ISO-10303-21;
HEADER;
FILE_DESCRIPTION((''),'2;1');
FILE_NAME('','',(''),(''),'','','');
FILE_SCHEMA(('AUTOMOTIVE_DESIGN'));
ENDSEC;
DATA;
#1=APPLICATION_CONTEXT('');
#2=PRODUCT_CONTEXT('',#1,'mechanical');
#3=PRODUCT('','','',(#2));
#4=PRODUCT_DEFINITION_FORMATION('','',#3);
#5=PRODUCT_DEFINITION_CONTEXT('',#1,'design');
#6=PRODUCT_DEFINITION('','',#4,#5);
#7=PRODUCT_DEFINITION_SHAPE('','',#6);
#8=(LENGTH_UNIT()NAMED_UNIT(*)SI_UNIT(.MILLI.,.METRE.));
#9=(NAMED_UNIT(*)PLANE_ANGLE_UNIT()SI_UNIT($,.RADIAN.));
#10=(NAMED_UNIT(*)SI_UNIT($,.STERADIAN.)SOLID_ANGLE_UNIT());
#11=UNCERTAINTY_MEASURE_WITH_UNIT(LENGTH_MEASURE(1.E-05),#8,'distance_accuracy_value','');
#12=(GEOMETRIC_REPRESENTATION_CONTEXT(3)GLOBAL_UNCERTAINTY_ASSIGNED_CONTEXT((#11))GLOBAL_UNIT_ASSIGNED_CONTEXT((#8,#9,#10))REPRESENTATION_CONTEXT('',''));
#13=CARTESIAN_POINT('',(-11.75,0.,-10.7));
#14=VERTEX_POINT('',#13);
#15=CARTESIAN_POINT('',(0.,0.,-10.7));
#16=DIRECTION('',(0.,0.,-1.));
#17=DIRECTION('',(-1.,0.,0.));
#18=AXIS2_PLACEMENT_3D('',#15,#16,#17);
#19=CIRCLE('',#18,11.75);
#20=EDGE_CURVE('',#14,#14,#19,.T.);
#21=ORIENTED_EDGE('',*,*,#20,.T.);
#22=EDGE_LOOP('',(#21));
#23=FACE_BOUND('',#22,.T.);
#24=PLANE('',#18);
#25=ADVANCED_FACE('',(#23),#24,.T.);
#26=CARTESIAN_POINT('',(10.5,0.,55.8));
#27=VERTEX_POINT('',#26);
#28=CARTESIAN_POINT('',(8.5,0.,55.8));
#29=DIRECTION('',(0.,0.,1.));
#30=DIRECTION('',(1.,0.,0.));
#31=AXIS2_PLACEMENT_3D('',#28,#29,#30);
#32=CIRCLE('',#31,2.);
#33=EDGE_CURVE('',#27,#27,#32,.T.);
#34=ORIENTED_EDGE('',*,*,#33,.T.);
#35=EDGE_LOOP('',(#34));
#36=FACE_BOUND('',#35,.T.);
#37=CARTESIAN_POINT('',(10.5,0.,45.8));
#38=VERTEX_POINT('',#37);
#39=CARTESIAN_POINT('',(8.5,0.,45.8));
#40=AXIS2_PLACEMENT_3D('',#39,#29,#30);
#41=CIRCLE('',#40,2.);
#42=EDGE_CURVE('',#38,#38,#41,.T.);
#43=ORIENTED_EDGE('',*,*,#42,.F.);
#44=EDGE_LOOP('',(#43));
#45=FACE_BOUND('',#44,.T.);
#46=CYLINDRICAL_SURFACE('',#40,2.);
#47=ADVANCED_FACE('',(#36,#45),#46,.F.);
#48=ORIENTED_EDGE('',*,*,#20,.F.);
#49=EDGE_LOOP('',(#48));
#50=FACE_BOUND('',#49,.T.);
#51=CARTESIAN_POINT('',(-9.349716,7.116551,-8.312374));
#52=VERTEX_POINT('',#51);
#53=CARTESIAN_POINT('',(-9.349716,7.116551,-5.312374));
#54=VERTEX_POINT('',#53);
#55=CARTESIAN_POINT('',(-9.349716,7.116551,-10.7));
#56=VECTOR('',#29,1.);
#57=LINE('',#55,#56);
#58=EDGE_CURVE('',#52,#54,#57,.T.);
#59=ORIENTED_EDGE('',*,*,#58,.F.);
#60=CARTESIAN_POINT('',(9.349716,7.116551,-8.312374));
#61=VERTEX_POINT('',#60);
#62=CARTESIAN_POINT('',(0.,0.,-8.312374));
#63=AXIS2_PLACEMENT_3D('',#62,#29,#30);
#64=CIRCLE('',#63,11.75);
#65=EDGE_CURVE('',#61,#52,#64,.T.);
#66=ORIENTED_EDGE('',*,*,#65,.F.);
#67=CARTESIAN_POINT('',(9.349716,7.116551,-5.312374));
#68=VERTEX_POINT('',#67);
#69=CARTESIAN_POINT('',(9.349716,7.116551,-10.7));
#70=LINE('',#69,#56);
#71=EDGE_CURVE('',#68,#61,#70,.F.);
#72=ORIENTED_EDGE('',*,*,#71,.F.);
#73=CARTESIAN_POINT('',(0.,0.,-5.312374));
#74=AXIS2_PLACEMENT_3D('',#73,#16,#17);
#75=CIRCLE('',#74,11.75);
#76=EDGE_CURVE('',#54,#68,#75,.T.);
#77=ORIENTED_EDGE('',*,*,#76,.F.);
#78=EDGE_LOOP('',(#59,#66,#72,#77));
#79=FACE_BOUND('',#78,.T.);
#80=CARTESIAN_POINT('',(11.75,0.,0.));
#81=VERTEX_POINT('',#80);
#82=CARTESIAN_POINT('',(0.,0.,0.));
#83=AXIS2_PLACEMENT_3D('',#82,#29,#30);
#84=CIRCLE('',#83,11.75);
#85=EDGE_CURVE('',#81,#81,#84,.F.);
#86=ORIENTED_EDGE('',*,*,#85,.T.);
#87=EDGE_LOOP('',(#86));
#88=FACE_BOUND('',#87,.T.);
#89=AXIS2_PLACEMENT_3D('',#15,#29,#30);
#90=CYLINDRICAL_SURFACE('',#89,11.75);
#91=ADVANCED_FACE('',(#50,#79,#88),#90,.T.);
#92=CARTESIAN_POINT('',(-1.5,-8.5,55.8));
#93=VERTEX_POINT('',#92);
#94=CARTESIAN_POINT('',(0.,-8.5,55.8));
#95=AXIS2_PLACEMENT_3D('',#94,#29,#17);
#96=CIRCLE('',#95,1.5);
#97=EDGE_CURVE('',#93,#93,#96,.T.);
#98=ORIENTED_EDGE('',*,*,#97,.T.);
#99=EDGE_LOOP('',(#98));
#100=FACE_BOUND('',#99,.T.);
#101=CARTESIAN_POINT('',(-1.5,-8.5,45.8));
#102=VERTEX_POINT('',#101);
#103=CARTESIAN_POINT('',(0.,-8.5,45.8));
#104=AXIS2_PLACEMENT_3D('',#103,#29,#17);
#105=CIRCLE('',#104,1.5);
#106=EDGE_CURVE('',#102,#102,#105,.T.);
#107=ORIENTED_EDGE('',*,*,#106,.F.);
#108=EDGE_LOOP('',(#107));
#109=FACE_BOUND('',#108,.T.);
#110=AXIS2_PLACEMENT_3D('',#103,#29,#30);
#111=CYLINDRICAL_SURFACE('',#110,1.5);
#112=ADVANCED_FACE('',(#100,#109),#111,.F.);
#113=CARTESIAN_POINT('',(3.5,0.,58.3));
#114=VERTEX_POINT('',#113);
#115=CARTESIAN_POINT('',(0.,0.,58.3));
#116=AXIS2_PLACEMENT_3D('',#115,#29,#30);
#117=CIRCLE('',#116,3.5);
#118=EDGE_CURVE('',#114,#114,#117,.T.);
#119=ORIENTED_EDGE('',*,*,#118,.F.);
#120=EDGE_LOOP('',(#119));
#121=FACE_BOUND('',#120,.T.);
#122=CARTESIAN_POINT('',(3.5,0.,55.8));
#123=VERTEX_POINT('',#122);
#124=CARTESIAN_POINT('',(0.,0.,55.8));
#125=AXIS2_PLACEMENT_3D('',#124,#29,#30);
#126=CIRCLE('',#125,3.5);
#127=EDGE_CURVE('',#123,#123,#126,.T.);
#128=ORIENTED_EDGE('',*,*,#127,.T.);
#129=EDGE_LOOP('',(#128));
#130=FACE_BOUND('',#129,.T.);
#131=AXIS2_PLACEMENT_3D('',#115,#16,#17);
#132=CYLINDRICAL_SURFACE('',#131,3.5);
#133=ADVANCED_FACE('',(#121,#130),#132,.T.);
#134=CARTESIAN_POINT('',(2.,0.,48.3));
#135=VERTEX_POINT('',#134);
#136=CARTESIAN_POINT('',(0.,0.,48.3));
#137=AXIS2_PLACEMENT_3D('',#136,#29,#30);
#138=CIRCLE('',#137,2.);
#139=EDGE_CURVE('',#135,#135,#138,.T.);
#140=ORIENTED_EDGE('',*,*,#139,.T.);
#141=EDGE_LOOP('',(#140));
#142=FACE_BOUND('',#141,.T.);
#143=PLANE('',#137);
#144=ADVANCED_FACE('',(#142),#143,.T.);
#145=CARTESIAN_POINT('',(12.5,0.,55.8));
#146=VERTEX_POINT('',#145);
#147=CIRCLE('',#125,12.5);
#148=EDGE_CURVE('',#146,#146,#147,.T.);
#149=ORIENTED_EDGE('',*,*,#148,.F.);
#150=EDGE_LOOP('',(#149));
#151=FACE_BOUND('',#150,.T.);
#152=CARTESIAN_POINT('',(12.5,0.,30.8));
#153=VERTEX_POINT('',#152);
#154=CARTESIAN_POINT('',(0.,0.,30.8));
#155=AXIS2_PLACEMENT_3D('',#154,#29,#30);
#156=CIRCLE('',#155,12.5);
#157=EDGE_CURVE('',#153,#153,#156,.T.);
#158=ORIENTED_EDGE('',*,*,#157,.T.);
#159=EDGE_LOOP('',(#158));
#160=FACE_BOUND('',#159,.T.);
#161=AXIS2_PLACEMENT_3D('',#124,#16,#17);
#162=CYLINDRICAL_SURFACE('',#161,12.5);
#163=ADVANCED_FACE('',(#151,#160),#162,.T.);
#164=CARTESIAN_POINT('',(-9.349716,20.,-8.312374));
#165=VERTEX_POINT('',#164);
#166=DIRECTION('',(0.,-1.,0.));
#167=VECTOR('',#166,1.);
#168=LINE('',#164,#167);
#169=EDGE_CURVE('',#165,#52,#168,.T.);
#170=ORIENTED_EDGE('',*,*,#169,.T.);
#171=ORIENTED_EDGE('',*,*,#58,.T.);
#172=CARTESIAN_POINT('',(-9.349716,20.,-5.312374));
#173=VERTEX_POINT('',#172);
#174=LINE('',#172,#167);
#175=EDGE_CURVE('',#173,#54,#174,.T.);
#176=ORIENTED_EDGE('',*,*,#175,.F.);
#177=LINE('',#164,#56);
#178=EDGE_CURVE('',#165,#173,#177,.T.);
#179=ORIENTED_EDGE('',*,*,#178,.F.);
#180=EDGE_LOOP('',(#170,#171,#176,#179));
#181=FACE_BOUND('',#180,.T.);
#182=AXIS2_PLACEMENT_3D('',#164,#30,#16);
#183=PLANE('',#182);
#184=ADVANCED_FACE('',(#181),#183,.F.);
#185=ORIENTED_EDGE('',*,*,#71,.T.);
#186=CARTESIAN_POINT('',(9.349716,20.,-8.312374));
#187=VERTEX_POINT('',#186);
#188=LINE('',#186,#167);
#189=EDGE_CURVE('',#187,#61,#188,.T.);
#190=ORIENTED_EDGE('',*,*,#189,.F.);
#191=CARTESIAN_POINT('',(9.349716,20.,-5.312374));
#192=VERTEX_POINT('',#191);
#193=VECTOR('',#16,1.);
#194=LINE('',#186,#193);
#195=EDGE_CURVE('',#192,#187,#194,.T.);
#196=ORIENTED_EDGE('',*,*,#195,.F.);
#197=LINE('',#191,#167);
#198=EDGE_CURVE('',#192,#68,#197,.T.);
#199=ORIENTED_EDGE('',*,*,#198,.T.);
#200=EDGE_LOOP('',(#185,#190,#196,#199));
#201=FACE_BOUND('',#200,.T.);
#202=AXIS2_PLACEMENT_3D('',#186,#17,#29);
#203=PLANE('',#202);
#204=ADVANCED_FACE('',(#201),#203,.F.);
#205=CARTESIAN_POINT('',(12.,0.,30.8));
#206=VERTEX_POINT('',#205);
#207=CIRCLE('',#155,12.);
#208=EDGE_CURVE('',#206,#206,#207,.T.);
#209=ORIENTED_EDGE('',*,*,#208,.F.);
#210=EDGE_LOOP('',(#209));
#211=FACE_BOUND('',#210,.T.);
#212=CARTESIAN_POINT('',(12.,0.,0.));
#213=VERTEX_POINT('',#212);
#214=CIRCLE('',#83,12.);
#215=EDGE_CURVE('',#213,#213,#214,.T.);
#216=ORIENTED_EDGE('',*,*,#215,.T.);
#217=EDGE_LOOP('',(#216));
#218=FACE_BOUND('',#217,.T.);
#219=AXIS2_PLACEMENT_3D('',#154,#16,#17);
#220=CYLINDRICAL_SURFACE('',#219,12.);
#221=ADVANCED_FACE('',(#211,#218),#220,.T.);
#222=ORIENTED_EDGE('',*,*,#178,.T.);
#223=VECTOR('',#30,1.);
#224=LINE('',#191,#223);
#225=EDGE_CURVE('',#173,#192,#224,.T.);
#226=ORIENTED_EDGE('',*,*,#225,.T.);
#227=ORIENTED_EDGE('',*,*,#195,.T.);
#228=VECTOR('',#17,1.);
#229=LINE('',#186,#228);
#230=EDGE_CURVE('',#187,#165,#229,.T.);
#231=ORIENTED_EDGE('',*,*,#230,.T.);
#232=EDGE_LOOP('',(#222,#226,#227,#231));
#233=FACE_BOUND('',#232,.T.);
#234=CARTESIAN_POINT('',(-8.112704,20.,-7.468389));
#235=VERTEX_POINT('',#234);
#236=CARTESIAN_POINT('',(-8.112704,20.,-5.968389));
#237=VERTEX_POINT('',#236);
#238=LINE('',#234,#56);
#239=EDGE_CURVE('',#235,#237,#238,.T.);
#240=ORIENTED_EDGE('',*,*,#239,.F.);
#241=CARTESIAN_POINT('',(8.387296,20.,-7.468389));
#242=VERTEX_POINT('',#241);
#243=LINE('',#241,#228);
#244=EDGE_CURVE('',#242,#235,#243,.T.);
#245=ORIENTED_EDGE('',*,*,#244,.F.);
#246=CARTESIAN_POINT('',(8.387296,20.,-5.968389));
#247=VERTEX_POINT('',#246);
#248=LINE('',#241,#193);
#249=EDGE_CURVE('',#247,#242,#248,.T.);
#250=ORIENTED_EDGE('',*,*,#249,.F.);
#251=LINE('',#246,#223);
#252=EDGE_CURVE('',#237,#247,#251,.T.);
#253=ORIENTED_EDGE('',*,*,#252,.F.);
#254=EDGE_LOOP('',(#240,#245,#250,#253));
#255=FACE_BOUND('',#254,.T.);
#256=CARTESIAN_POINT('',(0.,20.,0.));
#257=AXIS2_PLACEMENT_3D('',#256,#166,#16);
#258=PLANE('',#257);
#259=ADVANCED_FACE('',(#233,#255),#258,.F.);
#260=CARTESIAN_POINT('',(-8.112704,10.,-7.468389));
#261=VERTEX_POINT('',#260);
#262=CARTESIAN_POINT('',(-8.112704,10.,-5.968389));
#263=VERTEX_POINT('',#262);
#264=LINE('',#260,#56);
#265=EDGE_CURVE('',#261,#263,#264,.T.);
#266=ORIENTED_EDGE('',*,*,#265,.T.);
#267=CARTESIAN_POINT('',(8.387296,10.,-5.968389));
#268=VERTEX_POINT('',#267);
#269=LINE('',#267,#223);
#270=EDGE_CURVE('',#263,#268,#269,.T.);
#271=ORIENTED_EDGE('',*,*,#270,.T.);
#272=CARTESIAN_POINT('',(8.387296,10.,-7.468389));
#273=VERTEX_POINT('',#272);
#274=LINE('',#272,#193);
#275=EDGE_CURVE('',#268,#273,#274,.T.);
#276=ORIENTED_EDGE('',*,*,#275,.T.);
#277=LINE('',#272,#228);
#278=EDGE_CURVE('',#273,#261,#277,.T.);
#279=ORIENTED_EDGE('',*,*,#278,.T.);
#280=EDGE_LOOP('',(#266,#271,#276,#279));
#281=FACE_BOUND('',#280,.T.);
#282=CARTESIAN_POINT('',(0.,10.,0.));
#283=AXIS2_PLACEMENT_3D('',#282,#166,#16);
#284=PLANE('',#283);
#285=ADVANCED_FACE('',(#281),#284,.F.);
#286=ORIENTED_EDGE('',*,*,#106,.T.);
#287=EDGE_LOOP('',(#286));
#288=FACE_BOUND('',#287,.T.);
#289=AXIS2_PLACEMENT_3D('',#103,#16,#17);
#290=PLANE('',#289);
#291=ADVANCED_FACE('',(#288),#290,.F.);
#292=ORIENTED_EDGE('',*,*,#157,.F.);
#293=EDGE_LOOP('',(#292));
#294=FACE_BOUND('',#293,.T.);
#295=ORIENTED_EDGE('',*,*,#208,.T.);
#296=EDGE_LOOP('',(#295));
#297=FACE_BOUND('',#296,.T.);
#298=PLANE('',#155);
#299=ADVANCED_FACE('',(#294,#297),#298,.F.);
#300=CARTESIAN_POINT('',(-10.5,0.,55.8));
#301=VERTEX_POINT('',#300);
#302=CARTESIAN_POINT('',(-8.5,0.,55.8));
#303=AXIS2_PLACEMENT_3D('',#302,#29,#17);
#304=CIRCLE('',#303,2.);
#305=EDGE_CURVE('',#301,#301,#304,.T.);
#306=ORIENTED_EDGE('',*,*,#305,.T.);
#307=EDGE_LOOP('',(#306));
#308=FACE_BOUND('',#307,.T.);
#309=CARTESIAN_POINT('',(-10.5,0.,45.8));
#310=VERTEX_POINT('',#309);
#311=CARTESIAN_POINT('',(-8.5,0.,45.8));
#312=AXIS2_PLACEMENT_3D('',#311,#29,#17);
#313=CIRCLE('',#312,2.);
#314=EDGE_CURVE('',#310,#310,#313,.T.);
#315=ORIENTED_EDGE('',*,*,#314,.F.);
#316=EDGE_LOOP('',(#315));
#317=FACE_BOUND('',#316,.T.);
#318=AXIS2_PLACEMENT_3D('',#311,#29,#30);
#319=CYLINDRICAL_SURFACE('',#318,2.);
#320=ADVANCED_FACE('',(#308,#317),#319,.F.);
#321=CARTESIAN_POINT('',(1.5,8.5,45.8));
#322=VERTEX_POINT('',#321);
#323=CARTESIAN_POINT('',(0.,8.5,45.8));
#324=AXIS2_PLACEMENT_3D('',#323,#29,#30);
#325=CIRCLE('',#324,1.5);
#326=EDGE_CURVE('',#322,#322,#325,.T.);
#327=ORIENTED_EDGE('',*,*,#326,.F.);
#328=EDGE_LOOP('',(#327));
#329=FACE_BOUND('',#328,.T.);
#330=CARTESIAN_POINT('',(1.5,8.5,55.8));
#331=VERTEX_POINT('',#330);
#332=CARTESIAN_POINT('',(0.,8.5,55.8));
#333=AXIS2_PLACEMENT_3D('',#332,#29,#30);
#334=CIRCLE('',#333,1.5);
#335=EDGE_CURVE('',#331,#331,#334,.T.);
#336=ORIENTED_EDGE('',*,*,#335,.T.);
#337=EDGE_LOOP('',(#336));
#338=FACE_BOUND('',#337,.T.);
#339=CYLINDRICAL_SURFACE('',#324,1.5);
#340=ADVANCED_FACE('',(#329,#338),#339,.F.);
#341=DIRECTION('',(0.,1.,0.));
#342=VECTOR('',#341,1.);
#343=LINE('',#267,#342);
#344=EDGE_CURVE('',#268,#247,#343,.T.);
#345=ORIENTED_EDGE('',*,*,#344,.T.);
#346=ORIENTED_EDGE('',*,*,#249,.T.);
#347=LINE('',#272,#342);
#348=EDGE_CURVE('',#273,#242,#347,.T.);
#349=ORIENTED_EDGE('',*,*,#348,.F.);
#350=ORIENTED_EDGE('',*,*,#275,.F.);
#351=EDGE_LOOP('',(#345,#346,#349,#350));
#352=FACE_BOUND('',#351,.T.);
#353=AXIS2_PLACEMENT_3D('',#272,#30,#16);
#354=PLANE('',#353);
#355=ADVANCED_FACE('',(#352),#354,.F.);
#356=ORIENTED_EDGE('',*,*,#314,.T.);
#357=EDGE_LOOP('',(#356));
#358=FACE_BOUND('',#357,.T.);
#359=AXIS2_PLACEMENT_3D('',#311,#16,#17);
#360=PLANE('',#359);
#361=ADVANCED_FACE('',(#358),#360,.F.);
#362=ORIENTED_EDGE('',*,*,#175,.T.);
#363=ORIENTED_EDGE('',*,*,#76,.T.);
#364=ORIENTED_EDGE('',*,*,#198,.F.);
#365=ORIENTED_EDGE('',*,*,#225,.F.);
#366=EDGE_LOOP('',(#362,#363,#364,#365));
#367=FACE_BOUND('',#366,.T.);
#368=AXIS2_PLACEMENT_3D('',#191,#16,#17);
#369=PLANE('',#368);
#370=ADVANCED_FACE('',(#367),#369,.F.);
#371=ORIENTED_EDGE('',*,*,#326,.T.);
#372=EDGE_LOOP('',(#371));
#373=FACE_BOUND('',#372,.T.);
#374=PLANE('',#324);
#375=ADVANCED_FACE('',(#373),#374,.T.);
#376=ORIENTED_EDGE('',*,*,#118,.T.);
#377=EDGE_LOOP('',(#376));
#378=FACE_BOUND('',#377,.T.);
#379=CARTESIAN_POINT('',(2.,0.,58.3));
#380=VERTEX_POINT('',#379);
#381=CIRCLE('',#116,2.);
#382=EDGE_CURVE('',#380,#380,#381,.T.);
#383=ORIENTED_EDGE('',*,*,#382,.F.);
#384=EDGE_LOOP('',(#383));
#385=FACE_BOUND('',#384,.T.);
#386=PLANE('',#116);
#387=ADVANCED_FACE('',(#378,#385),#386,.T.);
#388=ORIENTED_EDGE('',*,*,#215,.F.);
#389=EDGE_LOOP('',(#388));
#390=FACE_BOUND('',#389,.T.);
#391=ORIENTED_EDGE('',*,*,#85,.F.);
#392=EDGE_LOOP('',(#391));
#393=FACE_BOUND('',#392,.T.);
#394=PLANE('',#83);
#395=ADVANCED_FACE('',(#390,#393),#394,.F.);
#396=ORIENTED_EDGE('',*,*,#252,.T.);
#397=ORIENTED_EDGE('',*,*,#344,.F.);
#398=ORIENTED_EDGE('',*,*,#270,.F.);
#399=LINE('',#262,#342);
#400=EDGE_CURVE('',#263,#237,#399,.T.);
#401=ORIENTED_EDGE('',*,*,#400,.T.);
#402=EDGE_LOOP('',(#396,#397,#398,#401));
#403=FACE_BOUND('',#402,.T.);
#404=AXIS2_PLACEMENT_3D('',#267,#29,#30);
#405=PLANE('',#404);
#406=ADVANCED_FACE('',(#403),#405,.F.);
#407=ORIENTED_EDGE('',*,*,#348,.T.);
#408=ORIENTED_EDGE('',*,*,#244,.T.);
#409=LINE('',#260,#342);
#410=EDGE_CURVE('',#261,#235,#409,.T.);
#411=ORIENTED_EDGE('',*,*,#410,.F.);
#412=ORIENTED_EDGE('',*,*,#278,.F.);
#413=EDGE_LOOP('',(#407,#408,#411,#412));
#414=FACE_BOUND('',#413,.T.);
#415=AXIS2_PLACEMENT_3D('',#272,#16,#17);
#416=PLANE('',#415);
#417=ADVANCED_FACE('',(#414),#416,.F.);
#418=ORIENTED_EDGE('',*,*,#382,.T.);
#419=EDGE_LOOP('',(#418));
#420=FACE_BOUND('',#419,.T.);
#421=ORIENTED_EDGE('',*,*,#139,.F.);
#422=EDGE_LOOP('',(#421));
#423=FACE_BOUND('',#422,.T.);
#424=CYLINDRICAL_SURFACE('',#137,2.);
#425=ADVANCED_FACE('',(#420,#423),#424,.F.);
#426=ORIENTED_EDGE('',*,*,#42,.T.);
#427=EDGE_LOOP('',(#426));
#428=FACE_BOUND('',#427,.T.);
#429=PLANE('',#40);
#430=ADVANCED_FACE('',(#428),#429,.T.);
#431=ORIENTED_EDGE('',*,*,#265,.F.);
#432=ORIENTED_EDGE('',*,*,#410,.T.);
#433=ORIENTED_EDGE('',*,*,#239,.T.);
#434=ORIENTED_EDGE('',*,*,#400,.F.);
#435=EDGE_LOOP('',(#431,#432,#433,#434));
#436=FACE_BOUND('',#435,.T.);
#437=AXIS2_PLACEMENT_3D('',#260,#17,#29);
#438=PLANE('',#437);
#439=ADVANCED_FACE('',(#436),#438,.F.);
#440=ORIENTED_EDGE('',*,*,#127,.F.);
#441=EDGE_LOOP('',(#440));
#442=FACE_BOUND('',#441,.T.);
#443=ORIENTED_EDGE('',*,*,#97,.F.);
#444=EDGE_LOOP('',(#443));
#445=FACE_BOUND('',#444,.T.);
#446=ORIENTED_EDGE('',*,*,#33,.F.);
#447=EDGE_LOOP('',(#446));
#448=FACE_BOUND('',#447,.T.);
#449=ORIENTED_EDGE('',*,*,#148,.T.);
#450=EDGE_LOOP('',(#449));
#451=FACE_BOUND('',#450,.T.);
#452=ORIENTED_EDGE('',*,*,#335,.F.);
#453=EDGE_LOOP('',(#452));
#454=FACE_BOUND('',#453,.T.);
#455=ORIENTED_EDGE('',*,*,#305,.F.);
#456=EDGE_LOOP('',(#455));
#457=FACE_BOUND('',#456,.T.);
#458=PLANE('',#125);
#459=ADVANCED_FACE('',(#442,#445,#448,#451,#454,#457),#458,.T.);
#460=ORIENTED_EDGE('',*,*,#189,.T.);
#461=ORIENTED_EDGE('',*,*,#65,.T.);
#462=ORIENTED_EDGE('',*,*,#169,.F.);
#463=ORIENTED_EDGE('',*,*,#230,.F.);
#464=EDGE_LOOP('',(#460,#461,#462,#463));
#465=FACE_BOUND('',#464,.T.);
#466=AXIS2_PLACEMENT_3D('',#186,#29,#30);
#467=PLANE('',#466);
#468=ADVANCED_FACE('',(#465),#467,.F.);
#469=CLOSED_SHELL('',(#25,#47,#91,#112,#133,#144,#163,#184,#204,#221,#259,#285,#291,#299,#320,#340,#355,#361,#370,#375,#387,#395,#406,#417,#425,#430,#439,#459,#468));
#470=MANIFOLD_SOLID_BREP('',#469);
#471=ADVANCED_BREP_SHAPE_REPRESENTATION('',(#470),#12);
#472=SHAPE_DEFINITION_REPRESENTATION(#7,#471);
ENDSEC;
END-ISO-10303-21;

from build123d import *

# Parameters (mm, degrees)
SKETCH1_R           = 12
BOSS_EXTRUDE1_DEPTH = 30.8
SKETCH2_R           = 12.5
BOSS_EXTRUDE2_DEPTH = 25
SKETCH3_R           = 3.5
BOSS_EXTRUDE3_DEPTH = 2.5
SKETCH6_R           = 11.75
BOSS_EXTRUDE5_DEPTH = 10.7
SKETCH7_W           = 18.699432978
SKETCH7_H           = 3
BOSS_EXTRUDE6_DEPTH = 20
SKETCH10_W          = 16.5
SKETCH10_H          = 1.5
CUT_EXTRUDE4_DEPTH  = 10
SKETCH4_R           = 2
CUT_EXTRUDE7_DEPTH  = 10
SKETCH11_R          = 1.5
SKETCH11_R_2        = 2
CUT_EXTRUDE8_DEPTH  = 10


with BuildPart() as part:
    # Sketch1 → Boss-Extrude1 (new body)
    with BuildSketch(Plane.XY):
        Circle(SKETCH1_R)
    extrude(amount=BOSS_EXTRUDE1_DEPTH)

    # Sketch2 → Boss-Extrude2 (add)
    with BuildSketch(Plane.XY.offset(30.8)):
        Circle(SKETCH2_R)
    extrude(amount=BOSS_EXTRUDE2_DEPTH)

    # Sketch3 → Boss-Extrude3 (add)
    with BuildSketch(Plane.XY.offset(55.8)):
        Circle(SKETCH3_R)
    extrude(amount=BOSS_EXTRUDE3_DEPTH)

    # Sketch6 → Boss-Extrude5 (add)
    with BuildSketch(Plane(origin=(0, 0, 0), x_dir=(-1, 0, 0), z_dir=(0, 0, -1))):
        Circle(SKETCH6_R)
    extrude(amount=BOSS_EXTRUDE5_DEPTH)

    # Sketch7 → Boss-Extrude6 (add)
    with BuildSketch(Plane(origin=(0, 0, 0), x_dir=(1, 0, 0), z_dir=(0, 1, 0))):
        with Locations((0, 6.81237414)):
            Rectangle(SKETCH7_W, SKETCH7_H)
    extrude(amount=BOSS_EXTRUDE6_DEPTH)

    # Sketch10 → Cut-Extrude4 (cut)
    with BuildSketch(Plane(origin=(0, 20, 0), x_dir=(1, 0, 0), z_dir=(0, 1, 0))):
        with Locations((0.137296408, 6.718389465)):
            Rectangle(SKETCH10_W, SKETCH10_H)
    extrude(amount=-CUT_EXTRUDE4_DEPTH, mode=Mode.SUBTRACT)

    # Sketch4 → Cut-Extrude7 (cut)
    with BuildSketch(Plane.XY.offset(58.3)):
        Circle(SKETCH4_R)
    extrude(amount=-CUT_EXTRUDE7_DEPTH, mode=Mode.SUBTRACT)

    # Sketch11 → Cut-Extrude8 (cut)
    with BuildSketch(Plane.XY.offset(55.8)):
        with Locations((0, 8.5)):
            Circle(SKETCH11_R)
        with Locations((8.5, 0)):
            Circle(SKETCH11_R_2)
        with Locations((-8.5, 0)):
            Circle(SKETCH11_R_2)
        with Locations((0, -8.5)):
            Circle(SKETCH11_R)
    extrude(amount=-CUT_EXTRUDE8_DEPTH, mode=Mode.SUBTRACT)


solid = part.part
